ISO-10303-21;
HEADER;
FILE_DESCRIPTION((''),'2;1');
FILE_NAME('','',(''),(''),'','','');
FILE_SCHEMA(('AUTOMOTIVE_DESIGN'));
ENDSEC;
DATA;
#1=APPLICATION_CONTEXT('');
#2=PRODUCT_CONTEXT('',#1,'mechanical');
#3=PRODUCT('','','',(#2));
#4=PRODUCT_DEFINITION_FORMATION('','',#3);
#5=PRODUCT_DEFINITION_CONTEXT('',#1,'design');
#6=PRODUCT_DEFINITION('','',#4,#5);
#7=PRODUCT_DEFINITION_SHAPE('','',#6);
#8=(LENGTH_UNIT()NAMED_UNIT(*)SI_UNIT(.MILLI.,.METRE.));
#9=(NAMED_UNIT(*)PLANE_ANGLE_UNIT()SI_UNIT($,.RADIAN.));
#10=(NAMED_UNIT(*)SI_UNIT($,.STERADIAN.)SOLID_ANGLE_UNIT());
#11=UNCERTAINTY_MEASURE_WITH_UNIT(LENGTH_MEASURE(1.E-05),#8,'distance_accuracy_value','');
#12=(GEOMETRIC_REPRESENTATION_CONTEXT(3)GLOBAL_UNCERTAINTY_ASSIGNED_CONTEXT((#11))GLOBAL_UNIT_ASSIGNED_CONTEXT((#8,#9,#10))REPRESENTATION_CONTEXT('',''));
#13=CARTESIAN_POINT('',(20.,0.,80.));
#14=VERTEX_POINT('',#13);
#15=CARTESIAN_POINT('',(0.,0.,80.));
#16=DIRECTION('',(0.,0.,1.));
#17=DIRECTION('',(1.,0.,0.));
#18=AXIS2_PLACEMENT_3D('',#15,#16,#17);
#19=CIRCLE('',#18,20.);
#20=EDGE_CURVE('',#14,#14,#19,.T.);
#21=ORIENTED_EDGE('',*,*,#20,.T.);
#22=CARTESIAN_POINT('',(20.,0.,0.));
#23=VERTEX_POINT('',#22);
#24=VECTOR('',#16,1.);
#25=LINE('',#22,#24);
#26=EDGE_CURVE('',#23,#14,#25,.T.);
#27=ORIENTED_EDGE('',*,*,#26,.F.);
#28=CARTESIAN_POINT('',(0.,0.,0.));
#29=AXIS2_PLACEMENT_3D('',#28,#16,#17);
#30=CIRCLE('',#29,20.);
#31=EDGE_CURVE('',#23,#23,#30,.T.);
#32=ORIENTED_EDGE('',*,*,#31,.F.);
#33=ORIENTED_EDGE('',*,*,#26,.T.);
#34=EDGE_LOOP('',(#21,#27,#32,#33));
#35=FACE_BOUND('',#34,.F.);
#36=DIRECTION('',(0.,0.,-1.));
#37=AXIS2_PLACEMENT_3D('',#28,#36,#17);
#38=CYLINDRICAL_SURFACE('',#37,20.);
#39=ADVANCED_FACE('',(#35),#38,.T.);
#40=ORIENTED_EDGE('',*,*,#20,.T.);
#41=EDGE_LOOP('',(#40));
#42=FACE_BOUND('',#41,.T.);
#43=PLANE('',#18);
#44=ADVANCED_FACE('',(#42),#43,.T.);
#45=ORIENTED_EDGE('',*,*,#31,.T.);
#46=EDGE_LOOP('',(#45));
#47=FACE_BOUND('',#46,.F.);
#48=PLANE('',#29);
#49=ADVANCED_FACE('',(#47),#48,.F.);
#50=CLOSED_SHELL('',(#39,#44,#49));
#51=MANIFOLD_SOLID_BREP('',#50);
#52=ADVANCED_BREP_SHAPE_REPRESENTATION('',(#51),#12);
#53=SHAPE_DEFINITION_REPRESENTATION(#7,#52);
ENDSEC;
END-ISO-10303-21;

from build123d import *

# Parameters (mm, degrees)
SKETCH1_R           = 20
BOSS_EXTRUDE1_DEPTH = 80


with BuildPart() as part:
    # Sketch1 → Boss-Extrude1 (new body)
    with BuildSketch(Plane.XY):
        Circle(SKETCH1_R)
    extrude(amount=BOSS_EXTRUDE1_DEPTH)


solid = part.part
